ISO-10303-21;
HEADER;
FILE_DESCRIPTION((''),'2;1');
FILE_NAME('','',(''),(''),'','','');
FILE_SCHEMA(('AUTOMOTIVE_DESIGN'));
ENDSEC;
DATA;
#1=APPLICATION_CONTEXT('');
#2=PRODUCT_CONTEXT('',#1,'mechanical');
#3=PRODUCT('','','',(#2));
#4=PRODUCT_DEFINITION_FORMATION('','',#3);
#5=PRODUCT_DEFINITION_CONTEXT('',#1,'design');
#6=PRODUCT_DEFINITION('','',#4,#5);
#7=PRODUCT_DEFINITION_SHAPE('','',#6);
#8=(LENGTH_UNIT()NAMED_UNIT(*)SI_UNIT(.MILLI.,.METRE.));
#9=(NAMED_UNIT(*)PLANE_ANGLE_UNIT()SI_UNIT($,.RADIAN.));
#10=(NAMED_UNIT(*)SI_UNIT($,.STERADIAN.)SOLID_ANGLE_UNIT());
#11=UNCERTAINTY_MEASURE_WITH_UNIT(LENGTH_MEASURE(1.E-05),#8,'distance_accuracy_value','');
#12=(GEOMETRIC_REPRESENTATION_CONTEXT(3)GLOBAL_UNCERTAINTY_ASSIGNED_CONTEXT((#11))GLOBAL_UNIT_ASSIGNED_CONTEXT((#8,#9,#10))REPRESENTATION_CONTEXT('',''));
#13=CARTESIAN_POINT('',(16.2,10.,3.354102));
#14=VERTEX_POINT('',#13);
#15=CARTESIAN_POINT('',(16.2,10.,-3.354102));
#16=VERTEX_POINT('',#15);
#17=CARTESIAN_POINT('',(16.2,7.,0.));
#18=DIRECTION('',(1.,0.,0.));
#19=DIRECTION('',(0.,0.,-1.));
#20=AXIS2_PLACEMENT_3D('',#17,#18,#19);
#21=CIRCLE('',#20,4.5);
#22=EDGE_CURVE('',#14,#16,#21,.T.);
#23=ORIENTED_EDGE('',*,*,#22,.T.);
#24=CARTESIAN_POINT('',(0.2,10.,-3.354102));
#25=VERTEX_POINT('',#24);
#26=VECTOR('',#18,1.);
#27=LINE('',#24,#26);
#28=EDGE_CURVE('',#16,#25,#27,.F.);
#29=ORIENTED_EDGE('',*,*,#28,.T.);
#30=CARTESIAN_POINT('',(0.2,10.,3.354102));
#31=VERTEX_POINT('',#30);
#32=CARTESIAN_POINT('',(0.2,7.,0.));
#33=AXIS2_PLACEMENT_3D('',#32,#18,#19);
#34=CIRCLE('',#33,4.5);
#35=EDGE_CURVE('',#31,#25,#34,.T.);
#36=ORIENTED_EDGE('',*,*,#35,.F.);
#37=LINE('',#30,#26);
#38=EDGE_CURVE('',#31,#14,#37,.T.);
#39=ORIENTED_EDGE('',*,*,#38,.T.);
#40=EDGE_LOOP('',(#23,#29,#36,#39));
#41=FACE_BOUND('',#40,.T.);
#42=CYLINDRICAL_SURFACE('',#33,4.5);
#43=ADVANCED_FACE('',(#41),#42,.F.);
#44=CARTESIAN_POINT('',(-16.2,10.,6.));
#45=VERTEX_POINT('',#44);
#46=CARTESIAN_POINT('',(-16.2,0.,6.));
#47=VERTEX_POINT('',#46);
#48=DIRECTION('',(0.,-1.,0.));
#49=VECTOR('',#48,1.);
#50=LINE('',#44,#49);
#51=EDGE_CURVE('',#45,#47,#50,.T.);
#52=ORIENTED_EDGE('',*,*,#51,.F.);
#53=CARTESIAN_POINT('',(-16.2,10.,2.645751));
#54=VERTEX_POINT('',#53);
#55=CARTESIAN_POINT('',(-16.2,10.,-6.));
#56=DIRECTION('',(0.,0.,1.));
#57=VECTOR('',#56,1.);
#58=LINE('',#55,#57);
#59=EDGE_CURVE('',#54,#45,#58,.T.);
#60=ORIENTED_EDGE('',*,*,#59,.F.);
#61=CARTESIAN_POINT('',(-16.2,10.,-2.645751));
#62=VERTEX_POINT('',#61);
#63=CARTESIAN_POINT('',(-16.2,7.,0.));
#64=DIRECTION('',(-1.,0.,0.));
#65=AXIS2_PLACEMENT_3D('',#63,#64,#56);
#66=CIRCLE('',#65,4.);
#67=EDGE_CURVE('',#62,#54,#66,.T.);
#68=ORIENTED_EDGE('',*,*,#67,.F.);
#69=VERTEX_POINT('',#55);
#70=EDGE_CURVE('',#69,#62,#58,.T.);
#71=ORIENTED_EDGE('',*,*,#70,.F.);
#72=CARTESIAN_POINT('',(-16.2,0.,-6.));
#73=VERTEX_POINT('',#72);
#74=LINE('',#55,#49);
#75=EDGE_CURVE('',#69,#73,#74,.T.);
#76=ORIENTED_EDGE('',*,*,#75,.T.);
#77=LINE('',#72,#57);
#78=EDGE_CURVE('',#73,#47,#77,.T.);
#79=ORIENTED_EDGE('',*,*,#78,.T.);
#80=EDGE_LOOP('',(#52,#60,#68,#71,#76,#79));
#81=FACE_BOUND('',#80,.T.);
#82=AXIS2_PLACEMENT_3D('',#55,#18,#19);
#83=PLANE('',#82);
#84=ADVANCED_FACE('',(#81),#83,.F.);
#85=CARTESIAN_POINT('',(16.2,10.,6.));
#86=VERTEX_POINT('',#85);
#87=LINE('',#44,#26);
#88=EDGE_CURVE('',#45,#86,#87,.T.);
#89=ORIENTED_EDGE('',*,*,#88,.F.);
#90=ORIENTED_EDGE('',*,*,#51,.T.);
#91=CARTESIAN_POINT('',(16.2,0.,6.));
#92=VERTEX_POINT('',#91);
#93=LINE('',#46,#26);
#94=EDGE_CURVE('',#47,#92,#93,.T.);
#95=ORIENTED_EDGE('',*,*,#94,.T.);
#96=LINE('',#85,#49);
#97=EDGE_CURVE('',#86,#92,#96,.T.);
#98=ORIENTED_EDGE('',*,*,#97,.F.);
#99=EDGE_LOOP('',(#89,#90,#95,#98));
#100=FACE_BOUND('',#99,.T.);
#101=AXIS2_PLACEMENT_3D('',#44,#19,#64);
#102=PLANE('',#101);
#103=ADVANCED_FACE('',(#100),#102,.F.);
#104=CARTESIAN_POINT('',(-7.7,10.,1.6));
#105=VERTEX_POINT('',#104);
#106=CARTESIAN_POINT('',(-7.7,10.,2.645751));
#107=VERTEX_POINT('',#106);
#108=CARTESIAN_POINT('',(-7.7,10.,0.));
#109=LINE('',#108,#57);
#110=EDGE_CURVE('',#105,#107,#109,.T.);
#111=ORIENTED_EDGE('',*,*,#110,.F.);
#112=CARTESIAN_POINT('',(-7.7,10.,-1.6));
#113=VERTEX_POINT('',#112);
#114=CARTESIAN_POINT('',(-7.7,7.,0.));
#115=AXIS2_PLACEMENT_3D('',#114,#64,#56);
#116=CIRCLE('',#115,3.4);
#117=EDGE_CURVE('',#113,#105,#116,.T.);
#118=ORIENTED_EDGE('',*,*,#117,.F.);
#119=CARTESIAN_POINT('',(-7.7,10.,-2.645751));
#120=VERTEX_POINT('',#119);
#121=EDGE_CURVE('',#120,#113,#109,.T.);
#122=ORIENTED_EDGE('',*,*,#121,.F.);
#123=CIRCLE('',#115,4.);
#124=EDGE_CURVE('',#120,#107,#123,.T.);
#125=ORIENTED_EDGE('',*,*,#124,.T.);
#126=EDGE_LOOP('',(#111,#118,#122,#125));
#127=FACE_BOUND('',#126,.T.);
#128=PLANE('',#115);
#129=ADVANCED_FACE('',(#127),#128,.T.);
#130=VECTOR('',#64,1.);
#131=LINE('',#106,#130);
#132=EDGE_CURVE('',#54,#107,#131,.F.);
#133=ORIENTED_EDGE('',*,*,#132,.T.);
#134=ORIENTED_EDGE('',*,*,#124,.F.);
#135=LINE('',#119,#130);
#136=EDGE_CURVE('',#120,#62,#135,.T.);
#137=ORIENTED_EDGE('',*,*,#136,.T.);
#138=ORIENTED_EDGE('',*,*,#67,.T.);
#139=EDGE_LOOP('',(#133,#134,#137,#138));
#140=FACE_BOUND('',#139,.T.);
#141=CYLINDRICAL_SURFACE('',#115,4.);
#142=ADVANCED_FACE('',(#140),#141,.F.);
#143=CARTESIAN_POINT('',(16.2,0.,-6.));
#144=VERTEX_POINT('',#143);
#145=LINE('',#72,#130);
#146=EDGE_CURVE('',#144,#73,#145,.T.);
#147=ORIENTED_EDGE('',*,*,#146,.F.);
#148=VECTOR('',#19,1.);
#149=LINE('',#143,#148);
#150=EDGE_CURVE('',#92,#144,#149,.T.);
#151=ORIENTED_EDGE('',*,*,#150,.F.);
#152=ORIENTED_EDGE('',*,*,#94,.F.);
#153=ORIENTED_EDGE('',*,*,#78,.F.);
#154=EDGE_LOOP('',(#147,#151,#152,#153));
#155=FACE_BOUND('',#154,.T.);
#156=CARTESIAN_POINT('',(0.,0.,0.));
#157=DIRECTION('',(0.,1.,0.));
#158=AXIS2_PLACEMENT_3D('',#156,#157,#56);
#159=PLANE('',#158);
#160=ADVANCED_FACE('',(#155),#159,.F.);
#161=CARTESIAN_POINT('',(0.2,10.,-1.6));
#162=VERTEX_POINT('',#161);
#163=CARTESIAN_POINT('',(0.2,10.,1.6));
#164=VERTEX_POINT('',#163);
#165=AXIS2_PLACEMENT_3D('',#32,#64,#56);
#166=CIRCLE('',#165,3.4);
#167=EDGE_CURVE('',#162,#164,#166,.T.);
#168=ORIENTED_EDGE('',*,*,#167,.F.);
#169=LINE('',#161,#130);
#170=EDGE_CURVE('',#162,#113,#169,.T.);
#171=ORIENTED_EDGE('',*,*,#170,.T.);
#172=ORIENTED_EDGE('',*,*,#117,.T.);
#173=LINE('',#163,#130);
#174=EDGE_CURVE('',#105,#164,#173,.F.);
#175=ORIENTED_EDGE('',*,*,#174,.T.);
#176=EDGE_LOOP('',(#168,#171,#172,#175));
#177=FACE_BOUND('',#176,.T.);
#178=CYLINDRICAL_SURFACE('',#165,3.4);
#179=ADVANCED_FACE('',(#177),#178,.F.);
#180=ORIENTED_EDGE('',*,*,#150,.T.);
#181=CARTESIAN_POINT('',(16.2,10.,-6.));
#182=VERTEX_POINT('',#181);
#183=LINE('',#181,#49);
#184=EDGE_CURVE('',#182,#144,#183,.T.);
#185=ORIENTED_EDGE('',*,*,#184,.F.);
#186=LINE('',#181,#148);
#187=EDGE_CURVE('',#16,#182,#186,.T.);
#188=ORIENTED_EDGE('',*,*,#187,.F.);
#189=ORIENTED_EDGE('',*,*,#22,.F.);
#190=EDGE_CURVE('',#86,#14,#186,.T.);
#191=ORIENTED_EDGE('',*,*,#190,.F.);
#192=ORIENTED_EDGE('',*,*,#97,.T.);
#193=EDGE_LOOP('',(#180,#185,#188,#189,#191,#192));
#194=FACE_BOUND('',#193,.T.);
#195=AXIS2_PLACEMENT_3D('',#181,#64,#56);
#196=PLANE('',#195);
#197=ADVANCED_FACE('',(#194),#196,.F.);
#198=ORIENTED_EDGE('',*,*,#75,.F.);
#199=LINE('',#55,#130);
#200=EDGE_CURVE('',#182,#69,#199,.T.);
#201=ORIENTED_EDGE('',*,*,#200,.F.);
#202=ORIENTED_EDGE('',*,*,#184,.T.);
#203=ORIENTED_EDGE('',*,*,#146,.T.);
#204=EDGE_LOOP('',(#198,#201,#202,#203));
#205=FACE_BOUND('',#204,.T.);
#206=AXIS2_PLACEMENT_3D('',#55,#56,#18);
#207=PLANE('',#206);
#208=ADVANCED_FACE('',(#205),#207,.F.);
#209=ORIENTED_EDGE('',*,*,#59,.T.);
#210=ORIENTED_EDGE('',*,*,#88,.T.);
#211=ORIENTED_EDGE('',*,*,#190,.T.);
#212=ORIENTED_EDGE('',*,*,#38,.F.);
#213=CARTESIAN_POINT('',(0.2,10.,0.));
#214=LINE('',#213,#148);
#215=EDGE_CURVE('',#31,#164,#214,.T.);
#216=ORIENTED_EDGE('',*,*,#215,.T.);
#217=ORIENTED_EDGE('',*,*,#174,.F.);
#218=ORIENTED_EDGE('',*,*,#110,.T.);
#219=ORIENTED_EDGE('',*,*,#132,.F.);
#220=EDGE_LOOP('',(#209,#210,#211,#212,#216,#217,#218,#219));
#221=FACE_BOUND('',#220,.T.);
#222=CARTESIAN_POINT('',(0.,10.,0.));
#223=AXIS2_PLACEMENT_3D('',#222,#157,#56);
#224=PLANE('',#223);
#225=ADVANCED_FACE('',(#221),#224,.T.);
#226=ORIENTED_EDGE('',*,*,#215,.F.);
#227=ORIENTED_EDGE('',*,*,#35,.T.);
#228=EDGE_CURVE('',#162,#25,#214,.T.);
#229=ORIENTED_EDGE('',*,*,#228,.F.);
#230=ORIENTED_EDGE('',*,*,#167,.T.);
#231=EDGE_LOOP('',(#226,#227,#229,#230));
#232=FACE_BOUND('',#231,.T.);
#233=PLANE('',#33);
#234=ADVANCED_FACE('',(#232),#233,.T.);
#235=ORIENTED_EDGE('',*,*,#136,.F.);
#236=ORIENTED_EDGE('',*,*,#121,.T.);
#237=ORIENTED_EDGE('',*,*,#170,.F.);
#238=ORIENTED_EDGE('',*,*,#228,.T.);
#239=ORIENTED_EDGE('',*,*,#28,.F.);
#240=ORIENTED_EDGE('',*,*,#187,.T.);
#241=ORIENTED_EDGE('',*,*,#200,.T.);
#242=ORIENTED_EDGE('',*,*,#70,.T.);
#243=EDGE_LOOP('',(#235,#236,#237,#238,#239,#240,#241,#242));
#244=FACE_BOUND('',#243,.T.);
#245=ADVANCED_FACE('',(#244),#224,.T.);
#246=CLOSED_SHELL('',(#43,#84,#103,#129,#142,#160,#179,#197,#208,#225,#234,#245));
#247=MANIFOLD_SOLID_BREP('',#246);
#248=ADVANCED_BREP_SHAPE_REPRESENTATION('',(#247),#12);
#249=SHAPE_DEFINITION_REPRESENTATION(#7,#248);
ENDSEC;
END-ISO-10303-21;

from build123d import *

# Parameters (mm, degrees)
SKETCH_1_W          = 32.4
SKETCH_1_H          = 12
EXTRUDE_1_DEPTH     = 10
SKETCH_4_R          = 4
CUT_EXTRUDE_2_DEPTH = 8.5
SKETCH_7_R          = 3.4
CUT_EXTRUDE_3_DEPTH = 7.9
SKETCH_8_R          = 4.5
CUT_EXTRUDE_4_DEPTH = 16


with BuildPart() as part:
    # 草圖1 → 填料-伸長1 (new body)
    with BuildSketch(Plane(origin=(0, 0, 0), x_dir=(1, 0, 0), z_dir=(0, 1, 0))):
        Rectangle(SKETCH_1_W, SKETCH_1_H)
    extrude(amount=EXTRUDE_1_DEPTH)

    # 草圖4 → 除料-伸長2 (cut)
    with BuildSketch(Plane.ZY.offset(16.2)):
        with Locations((0, 7)):
            Circle(SKETCH_4_R)
    extrude(amount=-CUT_EXTRUDE_2_DEPTH, mode=Mode.SUBTRACT)

    # 草圖7 → 除料-伸長3 (cut)
    with BuildSketch(Plane.ZY.offset(7.7)):
        with Locations((0, 7)):
            Circle(SKETCH_7_R)
    extrude(amount=-CUT_EXTRUDE_3_DEPTH, mode=Mode.SUBTRACT)

    # 草圖8 → 除料-伸長4 (cut)
    with BuildSketch(Plane(origin=(16.2, 0, 0), x_dir=(0, 0, -1), z_dir=(1, 0, 0))):
        with Locations((0, 7)):
            Circle(SKETCH_8_R)
    extrude(amount=-CUT_EXTRUDE_4_DEPTH, mode=Mode.SUBTRACT)


solid = part.part
